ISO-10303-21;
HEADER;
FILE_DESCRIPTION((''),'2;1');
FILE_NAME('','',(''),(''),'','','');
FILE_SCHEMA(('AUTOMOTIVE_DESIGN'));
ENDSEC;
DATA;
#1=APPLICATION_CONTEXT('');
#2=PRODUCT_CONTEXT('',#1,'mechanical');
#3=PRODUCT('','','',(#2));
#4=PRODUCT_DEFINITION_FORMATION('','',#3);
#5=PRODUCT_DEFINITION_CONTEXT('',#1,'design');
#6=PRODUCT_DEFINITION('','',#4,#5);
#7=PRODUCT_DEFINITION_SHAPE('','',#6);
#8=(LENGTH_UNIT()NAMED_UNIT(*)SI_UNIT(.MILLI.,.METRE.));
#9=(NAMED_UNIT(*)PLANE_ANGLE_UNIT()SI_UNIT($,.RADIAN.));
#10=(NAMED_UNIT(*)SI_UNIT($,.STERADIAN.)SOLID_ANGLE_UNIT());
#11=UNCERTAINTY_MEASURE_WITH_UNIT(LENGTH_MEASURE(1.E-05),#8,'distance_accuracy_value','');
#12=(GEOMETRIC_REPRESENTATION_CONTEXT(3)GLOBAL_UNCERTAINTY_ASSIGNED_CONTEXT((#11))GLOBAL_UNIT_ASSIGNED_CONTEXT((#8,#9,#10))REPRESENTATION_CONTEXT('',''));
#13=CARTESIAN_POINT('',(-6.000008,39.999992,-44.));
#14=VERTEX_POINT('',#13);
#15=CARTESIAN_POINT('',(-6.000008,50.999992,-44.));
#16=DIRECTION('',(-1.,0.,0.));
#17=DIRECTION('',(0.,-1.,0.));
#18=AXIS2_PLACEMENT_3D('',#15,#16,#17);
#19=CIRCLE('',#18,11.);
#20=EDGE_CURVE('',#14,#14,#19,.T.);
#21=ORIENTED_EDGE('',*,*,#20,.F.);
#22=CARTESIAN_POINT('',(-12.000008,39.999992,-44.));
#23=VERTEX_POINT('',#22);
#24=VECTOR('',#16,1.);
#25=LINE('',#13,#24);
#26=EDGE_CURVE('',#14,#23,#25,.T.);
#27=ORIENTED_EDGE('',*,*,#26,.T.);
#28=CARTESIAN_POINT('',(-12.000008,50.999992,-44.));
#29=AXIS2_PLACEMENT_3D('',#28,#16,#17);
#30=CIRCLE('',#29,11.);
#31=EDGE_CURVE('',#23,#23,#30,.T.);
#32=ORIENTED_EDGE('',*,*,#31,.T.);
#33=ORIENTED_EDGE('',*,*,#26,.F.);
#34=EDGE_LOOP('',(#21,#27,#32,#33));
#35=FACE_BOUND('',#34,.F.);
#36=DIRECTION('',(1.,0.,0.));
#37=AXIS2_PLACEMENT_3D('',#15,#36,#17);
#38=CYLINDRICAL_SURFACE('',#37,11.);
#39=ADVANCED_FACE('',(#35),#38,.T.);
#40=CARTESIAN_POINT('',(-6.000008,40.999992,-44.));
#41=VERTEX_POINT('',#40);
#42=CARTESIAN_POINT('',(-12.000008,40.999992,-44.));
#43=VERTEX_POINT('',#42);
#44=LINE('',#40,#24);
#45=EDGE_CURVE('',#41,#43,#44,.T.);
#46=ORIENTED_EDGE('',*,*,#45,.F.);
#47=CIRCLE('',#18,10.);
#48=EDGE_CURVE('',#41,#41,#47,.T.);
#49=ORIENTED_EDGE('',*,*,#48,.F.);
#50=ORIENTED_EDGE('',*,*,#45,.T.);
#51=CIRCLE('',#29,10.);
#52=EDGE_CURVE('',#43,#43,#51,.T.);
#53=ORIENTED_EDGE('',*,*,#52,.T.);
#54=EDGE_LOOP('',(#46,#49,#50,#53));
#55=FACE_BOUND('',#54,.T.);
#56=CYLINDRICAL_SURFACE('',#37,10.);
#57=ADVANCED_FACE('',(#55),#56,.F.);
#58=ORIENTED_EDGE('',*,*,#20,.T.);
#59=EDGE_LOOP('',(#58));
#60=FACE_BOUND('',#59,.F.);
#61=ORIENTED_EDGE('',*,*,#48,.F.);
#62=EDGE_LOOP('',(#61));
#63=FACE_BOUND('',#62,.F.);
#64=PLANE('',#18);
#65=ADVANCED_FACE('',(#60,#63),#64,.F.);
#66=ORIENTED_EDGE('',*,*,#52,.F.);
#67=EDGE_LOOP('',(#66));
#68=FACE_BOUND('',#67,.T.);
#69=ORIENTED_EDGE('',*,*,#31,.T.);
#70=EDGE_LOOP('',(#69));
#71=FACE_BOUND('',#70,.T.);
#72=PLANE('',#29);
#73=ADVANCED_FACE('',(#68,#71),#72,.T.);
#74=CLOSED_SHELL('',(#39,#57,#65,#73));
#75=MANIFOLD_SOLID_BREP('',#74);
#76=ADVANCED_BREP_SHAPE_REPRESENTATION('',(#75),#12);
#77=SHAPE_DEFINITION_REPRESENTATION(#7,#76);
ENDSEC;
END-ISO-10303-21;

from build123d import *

# Parameters (mm, degrees)
SKETCH035_R   = 11
SKETCH035_R_2 = 10
PAD013_DEPTH  = 6


with BuildPart() as bearing_outer_front_left:
    # Sketch035 → Pad013 (new body)
    with BuildSketch(Plane.YZ):
        Circle(SKETCH035_R)
        Circle(SKETCH035_R_2, mode=Mode.SUBTRACT)
    extrude(amount=PAD013_DEPTH)


with BuildPart() as bearing_outer_front_left_1:
    # Body007 placement: moved
    add(bearing_outer_front_left.part.moved(Location((6, -51, -44))))


with BuildPart() as bearing_outer_back_left:
    # Part__Mirroring003: instance of bearing-outer-front-left
    add(bearing_outer_front_left_1.part.mirror(Plane(origin=(9, -4e-06, -44.000004), x_dir=(1, 0, 0), z_dir=(0, 1, 0))))


with BuildPart() as bearing_outer_back_right:
    # Part__Mirroring004: instance of bearing-outer-back-left
    add(bearing_outer_back_left.part.mirror(Plane(origin=(-4e-06, 51, -44.000004), x_dir=(0, -1, 0), z_dir=(1, 0, 0))))


solid = bearing_outer_back_right.part
